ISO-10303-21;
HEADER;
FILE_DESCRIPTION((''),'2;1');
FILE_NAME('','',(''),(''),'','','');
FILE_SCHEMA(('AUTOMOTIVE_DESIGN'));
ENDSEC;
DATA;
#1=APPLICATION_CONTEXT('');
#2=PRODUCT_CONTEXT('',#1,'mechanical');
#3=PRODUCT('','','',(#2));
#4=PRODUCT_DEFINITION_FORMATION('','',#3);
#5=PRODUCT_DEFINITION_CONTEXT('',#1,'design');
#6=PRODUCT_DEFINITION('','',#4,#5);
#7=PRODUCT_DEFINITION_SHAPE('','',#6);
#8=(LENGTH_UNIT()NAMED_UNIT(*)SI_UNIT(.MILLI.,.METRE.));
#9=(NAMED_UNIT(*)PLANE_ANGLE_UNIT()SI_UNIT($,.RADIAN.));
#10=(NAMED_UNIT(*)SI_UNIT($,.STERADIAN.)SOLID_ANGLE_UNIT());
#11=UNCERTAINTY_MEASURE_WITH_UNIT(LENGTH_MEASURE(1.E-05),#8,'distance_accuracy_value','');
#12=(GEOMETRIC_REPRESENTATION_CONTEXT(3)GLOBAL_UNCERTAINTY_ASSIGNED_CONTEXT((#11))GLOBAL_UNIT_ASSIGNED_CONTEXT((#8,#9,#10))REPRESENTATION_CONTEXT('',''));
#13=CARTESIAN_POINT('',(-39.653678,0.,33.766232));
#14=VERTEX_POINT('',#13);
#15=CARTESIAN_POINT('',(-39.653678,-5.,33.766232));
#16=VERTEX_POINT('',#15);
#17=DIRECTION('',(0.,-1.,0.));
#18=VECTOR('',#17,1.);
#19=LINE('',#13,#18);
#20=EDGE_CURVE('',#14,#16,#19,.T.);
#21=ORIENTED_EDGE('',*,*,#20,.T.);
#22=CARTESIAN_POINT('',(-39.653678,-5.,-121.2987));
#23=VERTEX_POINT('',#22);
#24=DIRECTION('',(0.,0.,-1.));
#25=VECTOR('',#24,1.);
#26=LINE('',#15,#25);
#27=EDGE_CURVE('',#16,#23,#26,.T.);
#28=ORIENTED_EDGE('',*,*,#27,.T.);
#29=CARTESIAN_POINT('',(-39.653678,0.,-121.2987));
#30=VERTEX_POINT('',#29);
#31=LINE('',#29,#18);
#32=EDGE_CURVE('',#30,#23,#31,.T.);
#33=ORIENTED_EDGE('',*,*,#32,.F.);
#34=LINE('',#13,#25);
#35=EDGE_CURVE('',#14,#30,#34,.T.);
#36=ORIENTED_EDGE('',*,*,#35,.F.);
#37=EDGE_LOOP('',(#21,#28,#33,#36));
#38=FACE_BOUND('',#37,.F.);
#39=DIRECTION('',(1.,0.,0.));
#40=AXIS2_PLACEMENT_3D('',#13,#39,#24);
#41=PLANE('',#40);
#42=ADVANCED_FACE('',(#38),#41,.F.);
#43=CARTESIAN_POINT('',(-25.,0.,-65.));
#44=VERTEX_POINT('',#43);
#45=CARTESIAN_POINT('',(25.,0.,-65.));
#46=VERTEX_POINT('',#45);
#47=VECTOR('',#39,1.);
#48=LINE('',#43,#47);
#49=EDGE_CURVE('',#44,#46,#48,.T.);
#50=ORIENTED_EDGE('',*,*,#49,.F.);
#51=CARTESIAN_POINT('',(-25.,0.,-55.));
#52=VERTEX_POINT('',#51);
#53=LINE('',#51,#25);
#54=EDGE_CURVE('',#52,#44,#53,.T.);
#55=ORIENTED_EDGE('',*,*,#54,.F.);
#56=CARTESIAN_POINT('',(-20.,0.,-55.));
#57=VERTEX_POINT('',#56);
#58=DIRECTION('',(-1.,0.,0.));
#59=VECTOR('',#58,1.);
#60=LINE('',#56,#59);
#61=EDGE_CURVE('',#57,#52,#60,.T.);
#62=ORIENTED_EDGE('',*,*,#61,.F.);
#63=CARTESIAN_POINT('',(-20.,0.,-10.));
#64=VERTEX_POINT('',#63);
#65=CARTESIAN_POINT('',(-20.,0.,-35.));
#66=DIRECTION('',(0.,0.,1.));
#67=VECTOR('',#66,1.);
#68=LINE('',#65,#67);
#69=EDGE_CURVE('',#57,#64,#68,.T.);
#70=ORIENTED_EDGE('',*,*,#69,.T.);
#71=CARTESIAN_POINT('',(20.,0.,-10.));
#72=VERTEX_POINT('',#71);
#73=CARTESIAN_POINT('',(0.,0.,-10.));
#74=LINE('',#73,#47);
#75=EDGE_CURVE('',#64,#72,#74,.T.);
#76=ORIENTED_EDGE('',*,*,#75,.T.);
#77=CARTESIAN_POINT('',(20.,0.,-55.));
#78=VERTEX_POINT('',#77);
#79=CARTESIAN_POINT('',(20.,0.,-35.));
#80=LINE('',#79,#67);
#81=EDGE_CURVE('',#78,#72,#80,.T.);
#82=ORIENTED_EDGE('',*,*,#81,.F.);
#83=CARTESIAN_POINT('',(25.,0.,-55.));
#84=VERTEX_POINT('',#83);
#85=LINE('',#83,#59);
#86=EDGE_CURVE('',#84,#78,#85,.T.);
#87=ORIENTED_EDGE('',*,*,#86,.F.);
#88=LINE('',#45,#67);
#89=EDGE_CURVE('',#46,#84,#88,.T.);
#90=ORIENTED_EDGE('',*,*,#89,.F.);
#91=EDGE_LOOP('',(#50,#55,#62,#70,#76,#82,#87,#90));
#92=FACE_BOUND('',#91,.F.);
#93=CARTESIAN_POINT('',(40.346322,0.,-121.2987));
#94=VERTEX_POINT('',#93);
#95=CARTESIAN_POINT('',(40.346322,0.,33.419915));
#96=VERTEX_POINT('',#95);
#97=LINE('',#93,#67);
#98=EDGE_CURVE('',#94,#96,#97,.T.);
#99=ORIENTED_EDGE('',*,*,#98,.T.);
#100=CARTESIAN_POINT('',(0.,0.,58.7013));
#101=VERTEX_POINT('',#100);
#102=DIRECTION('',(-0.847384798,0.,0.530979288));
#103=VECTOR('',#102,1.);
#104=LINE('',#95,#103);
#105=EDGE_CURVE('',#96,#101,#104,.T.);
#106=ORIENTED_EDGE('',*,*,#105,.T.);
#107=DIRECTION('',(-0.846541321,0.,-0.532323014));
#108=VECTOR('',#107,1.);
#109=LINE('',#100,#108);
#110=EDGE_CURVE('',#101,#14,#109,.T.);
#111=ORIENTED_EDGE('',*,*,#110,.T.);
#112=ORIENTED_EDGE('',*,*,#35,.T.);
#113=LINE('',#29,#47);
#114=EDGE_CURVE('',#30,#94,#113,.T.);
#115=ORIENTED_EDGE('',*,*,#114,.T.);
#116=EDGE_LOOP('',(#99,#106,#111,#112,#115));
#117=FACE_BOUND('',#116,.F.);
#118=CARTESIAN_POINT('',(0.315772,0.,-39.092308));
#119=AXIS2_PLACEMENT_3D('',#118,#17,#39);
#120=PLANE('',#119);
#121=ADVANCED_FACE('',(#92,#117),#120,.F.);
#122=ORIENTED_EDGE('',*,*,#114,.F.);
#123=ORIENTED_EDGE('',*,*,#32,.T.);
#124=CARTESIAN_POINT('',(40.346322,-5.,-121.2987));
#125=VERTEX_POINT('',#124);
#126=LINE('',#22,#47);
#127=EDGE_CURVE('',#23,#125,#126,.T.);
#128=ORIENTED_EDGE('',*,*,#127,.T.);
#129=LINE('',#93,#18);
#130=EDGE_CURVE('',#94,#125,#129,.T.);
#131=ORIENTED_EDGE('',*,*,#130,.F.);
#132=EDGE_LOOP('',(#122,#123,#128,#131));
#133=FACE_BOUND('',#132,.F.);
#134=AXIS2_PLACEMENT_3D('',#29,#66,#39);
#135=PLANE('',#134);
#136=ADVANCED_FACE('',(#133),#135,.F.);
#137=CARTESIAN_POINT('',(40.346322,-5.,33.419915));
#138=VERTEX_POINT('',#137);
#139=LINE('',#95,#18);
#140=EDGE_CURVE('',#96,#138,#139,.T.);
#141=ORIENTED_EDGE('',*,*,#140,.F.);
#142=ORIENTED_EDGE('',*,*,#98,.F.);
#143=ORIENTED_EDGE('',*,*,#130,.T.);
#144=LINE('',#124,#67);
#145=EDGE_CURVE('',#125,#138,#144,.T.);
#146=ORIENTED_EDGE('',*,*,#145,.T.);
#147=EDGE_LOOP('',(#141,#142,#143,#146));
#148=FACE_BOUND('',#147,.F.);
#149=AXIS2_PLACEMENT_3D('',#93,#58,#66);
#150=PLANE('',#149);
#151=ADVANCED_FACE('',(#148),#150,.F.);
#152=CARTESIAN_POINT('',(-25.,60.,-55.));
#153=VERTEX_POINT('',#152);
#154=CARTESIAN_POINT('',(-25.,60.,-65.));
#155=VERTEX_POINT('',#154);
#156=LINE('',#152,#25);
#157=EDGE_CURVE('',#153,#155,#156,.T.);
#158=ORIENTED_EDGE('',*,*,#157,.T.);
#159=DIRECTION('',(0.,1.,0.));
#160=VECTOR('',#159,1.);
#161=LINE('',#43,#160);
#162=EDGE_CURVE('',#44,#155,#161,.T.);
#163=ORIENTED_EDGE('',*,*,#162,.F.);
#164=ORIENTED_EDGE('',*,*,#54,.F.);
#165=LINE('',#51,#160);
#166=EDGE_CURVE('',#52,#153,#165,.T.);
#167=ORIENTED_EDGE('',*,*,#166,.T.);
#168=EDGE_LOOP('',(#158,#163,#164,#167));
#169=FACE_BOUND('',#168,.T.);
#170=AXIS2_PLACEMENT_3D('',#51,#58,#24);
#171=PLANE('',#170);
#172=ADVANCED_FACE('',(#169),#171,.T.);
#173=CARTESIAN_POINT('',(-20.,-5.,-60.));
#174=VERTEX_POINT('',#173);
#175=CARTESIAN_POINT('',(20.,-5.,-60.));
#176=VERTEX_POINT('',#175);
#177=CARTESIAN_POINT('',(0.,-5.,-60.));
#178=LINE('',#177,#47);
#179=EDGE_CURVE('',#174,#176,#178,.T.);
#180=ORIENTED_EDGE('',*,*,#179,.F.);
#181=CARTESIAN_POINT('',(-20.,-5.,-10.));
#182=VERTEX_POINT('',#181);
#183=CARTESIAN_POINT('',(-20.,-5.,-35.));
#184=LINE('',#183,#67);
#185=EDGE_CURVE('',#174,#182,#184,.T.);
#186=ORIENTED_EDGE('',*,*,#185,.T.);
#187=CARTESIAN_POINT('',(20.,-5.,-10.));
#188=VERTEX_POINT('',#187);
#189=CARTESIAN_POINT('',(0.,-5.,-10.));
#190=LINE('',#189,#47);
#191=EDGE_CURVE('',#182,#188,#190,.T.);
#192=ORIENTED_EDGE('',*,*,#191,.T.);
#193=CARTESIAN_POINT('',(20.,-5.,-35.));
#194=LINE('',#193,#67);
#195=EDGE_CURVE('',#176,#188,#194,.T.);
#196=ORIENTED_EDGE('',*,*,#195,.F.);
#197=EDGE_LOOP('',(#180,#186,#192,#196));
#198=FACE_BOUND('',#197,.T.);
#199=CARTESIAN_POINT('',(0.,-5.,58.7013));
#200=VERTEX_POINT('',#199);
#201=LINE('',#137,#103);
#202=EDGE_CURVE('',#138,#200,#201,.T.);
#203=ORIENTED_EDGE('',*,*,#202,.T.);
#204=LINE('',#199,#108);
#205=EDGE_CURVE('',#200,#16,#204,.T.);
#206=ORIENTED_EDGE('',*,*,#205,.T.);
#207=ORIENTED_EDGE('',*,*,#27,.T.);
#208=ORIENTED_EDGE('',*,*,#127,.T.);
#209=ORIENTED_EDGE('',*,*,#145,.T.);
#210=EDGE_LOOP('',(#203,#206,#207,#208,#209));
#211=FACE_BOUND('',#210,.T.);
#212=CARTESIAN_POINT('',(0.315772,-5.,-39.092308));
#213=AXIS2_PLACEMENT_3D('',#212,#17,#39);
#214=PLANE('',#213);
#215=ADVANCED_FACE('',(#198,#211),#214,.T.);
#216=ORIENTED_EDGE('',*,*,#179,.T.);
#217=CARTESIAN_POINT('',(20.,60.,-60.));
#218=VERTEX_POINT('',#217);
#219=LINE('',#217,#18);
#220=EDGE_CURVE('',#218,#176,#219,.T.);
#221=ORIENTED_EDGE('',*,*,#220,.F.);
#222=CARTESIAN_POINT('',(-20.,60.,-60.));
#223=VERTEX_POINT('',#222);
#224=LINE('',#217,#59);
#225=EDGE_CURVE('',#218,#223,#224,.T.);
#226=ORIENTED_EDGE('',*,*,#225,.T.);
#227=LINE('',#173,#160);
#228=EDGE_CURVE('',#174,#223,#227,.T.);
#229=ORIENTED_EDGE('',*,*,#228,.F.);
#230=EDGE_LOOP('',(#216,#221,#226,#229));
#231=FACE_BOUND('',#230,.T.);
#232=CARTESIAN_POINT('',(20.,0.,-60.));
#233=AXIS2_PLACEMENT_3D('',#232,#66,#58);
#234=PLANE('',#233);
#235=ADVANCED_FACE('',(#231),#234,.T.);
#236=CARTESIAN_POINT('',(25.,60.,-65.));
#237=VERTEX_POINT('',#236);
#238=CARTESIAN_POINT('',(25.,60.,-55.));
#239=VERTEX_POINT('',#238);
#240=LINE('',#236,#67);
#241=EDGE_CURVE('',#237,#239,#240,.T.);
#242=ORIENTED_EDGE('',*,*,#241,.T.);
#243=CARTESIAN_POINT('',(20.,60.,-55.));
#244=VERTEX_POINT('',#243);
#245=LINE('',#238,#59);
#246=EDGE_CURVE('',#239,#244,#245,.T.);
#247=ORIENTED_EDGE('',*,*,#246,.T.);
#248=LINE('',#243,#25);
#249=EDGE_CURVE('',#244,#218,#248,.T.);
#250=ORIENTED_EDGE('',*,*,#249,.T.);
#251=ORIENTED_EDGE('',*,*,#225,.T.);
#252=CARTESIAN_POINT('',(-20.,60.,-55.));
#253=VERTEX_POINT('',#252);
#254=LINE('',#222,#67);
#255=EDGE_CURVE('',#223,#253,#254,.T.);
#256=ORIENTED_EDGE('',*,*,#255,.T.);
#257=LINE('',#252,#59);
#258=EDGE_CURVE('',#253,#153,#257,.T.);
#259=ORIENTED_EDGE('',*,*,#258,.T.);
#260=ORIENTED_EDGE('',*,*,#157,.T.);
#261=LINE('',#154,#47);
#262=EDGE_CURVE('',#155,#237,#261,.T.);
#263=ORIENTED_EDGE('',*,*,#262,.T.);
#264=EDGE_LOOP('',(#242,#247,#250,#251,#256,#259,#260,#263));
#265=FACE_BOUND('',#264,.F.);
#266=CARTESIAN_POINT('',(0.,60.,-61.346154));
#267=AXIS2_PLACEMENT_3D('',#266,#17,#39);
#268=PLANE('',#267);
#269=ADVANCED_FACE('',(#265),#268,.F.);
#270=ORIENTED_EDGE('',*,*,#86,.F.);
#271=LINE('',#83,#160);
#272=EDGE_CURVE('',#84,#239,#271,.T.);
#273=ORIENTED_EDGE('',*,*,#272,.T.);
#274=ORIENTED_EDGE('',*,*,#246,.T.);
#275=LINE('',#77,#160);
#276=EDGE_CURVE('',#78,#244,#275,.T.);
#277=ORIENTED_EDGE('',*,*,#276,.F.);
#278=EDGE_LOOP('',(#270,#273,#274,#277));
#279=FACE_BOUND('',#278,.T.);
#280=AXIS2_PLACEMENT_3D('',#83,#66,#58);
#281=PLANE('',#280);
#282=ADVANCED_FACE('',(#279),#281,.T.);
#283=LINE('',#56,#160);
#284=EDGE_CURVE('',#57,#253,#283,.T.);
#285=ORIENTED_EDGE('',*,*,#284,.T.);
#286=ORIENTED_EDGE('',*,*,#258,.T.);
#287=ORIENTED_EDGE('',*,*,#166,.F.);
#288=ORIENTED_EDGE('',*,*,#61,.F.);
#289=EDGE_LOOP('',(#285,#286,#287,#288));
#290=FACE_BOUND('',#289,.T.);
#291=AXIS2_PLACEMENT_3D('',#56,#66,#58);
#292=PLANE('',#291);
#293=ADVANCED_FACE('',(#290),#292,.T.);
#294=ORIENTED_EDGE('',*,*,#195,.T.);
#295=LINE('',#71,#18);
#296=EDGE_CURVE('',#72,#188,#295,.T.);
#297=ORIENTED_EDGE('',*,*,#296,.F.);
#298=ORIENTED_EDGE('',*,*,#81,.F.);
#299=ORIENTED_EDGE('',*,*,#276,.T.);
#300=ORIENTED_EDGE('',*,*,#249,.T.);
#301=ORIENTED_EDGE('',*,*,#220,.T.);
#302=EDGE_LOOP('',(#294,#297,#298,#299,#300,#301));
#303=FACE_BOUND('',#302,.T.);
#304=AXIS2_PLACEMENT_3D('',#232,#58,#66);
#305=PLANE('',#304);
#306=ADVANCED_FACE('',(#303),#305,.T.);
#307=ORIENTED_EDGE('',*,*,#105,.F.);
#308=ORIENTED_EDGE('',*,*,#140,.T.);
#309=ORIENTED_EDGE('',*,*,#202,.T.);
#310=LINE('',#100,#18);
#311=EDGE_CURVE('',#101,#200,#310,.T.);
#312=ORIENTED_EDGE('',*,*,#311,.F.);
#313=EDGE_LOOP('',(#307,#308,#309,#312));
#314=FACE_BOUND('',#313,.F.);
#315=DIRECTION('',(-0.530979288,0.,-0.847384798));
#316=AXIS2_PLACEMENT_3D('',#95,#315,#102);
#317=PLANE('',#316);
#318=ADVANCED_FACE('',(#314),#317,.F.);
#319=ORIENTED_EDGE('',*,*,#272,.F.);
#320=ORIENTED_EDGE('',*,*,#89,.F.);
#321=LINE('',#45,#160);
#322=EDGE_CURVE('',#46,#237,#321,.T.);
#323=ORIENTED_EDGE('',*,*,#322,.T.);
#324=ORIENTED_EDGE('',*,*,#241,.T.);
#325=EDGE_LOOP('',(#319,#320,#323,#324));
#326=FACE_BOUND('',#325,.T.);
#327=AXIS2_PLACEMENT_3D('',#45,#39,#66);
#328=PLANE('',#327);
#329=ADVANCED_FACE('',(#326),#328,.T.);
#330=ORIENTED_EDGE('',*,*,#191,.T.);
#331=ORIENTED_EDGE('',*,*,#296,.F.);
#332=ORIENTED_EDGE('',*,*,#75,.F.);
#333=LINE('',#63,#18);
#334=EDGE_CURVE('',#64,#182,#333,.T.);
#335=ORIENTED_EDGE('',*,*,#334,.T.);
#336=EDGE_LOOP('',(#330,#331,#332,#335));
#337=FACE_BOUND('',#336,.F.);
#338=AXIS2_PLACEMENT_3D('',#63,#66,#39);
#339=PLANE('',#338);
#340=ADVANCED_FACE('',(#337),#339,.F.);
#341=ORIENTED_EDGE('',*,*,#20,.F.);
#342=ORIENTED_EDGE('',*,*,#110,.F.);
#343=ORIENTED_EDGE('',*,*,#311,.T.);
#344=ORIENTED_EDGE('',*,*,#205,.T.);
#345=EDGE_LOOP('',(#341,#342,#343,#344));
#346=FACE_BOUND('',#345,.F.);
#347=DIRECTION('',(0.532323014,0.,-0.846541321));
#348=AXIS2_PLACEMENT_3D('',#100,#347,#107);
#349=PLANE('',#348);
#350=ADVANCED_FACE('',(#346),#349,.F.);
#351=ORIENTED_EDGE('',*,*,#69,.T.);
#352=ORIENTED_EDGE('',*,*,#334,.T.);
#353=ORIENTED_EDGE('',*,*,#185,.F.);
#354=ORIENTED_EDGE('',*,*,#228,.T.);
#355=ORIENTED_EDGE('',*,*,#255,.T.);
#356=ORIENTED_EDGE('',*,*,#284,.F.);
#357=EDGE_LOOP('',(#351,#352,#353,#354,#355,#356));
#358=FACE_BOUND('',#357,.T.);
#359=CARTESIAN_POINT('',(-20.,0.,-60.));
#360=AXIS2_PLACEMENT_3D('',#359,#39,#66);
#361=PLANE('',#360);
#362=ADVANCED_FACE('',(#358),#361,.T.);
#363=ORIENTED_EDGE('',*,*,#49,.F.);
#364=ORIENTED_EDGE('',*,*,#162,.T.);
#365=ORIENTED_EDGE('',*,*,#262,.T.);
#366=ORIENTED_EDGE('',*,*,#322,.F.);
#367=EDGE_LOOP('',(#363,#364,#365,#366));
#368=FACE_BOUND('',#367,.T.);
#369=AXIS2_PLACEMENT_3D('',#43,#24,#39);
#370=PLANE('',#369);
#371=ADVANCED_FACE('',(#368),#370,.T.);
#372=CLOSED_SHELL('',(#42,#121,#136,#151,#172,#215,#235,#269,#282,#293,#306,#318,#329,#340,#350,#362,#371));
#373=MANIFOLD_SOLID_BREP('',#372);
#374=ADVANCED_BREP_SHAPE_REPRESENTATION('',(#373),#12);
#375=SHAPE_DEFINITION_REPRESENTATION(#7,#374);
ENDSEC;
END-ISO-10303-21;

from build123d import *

# Parameters (mm, degrees)
F0_W     = 40
F0_H     = 50
F1_DEPTH = 5
F3_DEPTH = 60


with BuildPart() as f1:
    # F0 (on Front) → F1 (new body)
    with BuildSketch(Plane.XZ):
        Polygon((-39.653678, 33.766232), (-39.653678, -121.2987), (40.346322, -121.2987), (40.346322, 33.419915), (0, 58.7013), align=None)
        with Locations((0, -35)):
            Rectangle(F0_W, F0_H, mode=Mode.SUBTRACT)
    extrude(amount=F1_DEPTH)

    # F2 (on Front) → F3 (join)
    with BuildSketch(Plane.XZ):
        Polygon((-25, -55), (-25, -65), (25, -65), (25, -55), (20, -55), (20, -60), (-20, -60), (-20, -55), align=None)
    extrude(amount=-F3_DEPTH)


solid = f1.part
